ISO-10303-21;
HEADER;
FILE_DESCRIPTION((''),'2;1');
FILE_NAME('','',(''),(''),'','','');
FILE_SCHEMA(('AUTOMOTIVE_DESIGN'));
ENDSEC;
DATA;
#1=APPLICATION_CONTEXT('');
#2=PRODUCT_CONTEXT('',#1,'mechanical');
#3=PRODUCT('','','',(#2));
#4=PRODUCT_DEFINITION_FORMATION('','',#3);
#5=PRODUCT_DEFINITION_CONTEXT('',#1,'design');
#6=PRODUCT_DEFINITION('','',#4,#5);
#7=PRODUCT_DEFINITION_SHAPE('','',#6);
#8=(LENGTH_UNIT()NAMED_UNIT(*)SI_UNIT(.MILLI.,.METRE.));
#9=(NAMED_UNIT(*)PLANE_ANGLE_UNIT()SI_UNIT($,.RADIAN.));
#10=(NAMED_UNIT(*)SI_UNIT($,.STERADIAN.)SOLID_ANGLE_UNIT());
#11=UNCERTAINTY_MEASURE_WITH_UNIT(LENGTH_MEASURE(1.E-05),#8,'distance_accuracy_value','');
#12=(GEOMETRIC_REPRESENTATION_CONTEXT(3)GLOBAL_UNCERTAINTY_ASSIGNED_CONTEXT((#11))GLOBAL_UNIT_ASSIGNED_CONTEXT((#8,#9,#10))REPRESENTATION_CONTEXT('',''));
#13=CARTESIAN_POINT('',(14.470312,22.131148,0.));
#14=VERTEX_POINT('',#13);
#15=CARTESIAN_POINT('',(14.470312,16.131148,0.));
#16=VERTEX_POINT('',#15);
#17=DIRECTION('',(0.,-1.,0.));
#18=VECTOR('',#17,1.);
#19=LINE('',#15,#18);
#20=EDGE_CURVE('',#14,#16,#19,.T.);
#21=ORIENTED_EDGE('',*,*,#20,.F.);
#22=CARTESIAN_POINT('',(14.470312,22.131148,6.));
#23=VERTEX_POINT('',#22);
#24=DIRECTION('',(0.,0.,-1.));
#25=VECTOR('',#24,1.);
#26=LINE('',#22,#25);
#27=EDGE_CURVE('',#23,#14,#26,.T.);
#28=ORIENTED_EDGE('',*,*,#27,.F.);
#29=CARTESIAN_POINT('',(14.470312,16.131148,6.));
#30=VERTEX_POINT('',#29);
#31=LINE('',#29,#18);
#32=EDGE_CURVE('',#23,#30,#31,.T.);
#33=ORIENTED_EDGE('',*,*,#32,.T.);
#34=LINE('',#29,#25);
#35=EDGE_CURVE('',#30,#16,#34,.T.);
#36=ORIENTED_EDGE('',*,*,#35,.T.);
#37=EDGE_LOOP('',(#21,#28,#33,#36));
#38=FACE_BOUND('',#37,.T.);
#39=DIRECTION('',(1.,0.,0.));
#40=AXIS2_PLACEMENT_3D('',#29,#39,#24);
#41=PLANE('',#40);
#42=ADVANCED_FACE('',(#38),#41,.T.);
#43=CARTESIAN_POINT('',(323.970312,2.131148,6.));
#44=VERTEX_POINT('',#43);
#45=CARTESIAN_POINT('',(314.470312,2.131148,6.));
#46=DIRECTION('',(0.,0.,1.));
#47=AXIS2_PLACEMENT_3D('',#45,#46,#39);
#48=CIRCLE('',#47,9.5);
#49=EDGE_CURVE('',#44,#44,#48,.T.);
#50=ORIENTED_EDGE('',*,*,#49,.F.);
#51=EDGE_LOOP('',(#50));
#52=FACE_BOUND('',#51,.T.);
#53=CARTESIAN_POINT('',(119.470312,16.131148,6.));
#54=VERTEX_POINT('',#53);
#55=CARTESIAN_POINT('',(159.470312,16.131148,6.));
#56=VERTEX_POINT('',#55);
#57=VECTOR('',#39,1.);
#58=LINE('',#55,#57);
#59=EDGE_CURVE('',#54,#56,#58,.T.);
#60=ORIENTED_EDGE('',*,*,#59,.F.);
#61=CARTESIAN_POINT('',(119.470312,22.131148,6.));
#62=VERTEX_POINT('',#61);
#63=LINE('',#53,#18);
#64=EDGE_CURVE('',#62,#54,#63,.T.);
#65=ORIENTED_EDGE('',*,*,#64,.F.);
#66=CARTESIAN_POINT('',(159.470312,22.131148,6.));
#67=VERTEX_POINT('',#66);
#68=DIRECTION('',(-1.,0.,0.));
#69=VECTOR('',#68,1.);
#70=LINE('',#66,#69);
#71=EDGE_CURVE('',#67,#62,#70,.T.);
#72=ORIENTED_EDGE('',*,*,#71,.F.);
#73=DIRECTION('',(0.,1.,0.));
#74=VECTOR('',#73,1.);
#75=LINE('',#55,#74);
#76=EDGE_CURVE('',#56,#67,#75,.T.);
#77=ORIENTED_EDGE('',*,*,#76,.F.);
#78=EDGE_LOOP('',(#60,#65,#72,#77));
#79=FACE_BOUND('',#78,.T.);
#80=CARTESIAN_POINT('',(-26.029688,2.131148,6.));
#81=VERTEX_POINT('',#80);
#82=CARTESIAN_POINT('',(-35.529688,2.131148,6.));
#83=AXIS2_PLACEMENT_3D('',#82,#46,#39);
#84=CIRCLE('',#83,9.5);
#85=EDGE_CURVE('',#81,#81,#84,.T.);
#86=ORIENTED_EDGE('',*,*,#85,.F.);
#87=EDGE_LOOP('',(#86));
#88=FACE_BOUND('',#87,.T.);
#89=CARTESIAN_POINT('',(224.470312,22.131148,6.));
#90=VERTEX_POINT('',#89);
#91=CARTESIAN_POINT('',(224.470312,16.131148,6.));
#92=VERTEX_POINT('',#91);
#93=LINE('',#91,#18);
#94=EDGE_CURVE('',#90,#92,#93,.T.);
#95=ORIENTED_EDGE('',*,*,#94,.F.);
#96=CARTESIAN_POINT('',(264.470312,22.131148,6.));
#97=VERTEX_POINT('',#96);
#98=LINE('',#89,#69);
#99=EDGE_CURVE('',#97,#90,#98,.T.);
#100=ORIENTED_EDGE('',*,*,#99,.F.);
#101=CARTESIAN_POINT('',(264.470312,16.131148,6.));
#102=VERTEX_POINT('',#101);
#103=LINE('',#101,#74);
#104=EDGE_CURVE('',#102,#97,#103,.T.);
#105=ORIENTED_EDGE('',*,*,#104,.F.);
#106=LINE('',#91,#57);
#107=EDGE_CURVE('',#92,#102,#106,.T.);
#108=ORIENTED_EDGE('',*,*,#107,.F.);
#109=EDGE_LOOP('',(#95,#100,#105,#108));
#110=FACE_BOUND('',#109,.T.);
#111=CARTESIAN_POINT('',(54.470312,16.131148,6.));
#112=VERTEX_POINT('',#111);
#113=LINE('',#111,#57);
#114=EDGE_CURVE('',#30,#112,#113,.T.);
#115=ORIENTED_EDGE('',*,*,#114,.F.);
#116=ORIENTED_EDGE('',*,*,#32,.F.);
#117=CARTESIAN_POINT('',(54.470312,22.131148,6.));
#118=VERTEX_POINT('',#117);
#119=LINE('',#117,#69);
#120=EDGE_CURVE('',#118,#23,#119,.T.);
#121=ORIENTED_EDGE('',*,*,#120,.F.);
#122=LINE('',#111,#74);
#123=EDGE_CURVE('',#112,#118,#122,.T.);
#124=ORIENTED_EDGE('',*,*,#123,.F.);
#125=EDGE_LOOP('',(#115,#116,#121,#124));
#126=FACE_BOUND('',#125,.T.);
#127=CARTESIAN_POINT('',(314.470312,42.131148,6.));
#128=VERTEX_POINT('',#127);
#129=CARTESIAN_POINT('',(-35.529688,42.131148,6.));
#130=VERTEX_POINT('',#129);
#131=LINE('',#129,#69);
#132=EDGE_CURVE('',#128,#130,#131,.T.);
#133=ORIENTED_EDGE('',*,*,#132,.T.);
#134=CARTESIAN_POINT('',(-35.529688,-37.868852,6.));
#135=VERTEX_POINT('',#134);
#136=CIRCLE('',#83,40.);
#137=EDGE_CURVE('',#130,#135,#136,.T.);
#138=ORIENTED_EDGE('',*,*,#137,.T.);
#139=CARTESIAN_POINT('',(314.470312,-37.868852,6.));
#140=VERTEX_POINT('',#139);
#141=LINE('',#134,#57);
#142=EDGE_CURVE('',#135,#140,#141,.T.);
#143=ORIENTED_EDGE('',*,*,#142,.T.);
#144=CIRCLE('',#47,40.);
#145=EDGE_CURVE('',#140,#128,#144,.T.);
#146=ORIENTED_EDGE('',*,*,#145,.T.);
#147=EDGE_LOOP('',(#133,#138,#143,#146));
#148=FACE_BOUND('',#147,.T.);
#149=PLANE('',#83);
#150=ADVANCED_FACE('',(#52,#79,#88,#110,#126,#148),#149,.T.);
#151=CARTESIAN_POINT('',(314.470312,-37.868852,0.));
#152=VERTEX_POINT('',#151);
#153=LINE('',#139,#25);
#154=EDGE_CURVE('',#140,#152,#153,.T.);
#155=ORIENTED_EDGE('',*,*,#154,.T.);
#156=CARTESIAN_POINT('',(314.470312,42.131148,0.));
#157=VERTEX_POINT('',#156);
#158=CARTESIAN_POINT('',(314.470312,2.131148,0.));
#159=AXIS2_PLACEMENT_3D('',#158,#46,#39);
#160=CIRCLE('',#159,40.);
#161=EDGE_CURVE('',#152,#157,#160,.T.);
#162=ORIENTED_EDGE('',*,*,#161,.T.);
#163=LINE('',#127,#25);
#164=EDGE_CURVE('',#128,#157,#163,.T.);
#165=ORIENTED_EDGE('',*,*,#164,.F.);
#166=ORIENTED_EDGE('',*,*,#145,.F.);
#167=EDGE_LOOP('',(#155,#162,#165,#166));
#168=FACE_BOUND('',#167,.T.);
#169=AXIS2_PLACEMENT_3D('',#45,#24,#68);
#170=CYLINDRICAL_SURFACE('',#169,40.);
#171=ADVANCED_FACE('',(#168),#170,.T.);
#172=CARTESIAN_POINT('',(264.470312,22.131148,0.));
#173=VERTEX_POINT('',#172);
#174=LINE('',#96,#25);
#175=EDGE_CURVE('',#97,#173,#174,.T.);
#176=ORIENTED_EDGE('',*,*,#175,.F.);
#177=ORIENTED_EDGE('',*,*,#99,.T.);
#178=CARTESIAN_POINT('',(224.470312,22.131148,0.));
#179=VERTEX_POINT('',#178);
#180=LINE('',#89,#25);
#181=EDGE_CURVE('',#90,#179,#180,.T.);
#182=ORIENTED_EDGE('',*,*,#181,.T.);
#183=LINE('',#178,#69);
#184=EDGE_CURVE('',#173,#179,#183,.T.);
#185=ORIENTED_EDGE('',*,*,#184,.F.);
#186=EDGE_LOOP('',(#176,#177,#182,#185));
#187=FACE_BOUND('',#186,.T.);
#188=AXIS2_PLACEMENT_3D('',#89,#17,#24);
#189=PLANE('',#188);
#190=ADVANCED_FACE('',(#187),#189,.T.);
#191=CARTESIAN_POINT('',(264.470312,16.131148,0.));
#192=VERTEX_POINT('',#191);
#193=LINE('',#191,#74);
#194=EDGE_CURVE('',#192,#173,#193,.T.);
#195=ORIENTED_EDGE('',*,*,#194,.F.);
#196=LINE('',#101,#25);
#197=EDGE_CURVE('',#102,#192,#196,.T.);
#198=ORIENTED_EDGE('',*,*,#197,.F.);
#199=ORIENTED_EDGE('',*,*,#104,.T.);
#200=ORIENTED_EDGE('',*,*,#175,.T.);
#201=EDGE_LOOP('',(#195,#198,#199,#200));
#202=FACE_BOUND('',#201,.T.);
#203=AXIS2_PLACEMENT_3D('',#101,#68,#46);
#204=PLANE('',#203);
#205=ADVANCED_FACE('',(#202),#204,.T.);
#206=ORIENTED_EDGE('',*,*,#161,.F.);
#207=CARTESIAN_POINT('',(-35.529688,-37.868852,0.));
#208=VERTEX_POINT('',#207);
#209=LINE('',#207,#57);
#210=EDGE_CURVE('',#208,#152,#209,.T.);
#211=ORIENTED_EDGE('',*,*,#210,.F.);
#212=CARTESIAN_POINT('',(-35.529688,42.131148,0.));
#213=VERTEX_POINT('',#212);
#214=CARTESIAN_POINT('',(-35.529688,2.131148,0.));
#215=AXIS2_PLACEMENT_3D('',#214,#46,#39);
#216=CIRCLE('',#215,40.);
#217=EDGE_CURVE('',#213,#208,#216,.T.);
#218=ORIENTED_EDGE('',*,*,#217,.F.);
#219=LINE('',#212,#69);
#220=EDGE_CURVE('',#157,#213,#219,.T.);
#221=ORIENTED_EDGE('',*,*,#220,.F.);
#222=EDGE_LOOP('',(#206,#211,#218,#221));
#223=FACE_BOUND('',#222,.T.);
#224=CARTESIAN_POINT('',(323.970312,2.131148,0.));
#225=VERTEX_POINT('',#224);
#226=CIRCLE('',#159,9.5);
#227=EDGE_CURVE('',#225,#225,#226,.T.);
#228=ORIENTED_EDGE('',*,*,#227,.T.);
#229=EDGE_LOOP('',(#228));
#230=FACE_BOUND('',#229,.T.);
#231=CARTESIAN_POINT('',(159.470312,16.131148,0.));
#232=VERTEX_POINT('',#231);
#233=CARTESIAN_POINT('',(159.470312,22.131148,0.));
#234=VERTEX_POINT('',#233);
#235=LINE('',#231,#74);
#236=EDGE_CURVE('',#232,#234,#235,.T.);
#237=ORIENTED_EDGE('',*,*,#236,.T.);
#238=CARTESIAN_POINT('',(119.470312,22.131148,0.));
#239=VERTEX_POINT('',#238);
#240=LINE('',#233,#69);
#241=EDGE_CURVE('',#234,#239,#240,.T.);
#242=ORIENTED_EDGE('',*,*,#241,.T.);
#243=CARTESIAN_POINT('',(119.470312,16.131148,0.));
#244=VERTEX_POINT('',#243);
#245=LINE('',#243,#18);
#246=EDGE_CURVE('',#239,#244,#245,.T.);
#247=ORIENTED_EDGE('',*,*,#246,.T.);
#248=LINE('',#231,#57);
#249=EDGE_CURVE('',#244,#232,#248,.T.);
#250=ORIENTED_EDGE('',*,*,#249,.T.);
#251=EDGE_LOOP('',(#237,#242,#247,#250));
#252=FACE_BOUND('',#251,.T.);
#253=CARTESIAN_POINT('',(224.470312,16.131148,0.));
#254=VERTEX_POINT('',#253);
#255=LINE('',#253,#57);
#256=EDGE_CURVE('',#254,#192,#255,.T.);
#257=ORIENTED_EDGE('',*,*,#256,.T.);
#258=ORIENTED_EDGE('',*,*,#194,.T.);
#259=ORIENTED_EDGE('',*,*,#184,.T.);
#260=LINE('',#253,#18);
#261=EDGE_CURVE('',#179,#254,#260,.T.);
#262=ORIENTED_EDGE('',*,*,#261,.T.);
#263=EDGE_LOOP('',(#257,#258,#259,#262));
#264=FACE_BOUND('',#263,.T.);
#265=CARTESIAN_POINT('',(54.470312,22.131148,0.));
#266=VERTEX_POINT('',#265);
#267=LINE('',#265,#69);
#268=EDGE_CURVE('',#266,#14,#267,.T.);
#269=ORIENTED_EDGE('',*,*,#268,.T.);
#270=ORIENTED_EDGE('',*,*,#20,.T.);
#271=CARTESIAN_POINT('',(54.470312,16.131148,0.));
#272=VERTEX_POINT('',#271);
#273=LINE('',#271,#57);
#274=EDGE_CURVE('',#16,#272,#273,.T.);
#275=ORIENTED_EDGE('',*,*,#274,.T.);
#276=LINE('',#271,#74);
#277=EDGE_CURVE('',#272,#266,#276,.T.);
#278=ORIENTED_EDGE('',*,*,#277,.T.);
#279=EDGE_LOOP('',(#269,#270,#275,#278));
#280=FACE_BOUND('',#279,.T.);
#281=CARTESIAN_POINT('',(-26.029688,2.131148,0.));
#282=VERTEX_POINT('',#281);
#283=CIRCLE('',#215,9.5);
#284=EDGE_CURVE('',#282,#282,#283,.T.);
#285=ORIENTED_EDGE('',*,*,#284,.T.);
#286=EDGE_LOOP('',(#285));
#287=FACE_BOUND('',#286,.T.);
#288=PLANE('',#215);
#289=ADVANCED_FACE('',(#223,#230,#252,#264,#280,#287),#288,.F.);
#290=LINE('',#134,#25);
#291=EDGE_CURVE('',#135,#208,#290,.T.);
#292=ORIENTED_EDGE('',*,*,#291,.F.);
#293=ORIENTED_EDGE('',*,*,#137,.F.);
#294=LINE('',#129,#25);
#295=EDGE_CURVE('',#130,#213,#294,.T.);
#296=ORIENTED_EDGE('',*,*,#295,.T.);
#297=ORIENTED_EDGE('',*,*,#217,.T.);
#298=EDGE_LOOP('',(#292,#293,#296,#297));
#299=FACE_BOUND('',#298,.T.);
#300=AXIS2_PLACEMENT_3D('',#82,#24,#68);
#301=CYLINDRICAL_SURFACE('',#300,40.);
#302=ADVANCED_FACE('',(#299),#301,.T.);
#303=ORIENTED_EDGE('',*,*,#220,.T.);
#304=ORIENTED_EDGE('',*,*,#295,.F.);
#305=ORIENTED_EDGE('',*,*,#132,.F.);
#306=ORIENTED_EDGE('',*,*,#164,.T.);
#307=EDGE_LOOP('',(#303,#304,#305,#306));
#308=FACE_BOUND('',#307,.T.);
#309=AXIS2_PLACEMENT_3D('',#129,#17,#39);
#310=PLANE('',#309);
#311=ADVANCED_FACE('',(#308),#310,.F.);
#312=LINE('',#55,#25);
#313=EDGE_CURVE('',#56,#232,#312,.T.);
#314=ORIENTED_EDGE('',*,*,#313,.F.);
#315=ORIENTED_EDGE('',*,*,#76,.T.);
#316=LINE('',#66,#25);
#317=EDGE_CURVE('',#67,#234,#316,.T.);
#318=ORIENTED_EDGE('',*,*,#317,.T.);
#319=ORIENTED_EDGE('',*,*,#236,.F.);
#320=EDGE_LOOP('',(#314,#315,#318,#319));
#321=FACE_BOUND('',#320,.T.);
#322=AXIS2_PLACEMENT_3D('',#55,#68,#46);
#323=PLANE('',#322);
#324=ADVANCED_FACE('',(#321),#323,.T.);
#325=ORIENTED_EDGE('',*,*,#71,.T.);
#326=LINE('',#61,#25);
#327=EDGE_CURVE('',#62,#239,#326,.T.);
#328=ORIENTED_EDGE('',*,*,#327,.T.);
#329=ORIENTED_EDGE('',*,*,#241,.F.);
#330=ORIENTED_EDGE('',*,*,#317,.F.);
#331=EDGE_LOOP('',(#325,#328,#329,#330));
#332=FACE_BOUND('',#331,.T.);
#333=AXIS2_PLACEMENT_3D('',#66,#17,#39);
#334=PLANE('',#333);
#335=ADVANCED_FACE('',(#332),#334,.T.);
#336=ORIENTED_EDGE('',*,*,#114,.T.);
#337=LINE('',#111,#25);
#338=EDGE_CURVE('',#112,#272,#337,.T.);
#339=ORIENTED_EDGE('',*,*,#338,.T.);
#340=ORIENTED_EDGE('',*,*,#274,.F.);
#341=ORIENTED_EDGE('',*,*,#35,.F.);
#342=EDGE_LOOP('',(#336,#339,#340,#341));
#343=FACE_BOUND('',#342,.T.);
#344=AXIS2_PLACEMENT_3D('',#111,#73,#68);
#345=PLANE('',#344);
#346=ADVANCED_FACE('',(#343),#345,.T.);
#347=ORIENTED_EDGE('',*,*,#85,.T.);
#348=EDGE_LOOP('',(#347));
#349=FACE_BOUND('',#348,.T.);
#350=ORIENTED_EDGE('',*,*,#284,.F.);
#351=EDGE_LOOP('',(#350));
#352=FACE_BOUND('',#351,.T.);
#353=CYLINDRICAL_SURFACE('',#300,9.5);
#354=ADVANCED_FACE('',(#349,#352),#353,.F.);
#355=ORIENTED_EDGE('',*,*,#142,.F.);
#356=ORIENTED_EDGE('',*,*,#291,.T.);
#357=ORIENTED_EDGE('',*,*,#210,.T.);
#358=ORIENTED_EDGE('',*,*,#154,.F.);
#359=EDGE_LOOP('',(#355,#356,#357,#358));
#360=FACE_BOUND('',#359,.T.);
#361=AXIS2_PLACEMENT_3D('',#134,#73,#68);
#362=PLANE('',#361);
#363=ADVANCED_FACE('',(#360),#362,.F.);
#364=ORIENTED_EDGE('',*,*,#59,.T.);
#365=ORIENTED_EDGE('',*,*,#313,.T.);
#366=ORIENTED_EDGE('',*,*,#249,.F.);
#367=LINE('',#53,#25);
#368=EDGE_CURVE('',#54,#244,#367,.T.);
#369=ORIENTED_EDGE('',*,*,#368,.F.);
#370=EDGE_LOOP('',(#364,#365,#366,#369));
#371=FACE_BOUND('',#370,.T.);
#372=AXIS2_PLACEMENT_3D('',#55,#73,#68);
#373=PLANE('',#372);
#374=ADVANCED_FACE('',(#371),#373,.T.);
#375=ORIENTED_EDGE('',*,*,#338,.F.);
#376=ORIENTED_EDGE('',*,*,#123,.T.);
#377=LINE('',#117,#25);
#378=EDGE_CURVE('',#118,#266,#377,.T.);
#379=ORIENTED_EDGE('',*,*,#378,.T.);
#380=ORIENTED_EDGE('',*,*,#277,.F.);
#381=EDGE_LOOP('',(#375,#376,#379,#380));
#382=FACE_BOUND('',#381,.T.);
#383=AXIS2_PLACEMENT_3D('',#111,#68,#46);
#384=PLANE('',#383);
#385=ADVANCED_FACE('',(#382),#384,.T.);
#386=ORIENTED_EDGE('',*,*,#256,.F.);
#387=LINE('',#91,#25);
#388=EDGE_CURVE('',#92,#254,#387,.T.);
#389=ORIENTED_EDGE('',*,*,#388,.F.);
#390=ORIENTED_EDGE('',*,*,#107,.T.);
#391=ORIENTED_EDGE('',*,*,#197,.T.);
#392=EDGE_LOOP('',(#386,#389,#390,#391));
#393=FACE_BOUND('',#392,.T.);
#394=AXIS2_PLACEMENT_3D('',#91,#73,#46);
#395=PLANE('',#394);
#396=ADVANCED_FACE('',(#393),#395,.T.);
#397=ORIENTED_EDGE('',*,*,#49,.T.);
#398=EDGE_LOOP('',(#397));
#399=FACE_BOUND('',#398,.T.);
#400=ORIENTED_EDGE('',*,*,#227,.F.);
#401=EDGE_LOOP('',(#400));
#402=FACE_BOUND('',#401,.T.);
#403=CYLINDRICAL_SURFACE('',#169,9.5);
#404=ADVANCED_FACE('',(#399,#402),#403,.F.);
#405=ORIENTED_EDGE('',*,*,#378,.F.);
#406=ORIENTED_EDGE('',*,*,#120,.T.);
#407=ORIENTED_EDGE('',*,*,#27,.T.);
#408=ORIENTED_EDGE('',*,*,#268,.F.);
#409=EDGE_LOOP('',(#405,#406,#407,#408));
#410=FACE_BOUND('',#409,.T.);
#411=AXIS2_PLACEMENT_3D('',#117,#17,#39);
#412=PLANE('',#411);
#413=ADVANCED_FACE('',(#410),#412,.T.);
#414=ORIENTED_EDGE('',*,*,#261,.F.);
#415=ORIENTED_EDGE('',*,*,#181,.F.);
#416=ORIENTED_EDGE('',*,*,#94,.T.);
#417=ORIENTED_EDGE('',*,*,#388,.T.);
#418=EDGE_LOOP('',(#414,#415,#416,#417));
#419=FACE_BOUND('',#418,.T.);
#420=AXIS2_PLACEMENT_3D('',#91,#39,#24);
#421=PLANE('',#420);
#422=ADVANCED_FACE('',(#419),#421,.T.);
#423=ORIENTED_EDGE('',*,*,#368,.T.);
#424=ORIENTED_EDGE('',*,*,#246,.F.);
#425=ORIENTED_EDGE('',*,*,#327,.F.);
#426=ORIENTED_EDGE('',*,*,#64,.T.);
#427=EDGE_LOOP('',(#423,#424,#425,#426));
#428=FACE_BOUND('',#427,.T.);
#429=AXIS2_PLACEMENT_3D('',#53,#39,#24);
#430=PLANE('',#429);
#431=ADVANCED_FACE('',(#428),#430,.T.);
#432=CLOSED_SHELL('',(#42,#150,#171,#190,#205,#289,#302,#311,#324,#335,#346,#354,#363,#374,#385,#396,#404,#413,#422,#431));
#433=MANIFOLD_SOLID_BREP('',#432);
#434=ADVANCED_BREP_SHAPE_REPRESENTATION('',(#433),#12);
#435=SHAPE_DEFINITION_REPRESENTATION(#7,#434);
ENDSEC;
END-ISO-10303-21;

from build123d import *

# Parameters (mm, degrees)
SKETCH1_R           = 9.5
SKETCH1_W           = 40
SKETCH1_H           = 6
BOSS_EXTRUDE1_DEPTH = 6


with BuildPart() as part:
    # Sketch1 → Boss-Extrude1 (new body)
    with BuildSketch(Plane.XY):
        with BuildLine():
            Line((-35.529687849, 42.131147541), (314.470312151, 42.131147541))
            ThreePointArc((314.470312151, 42.131147541), (354.470312151, 2.131147541), (314.470312151, -37.868852459))
            Line((314.470312151, -37.868852459), (-35.529687849, -37.868852459))
            ThreePointArc((-35.529687849, -37.868852459), (-75.529687849, 2.131147541), (-35.529687849, 42.131147541))
        make_face()
        with Locations((-35.529687849, 2.131147541)):
            Circle(SKETCH1_R, mode=Mode.SUBTRACT)
        with Locations((314.470312151, 2.131147541)):
            Circle(SKETCH1_R, mode=Mode.SUBTRACT)
        with Locations((139.470312151, 19.131147541)):
            Rectangle(SKETCH1_W, SKETCH1_H, mode=Mode.SUBTRACT)
        with Locations((244.470312151, 19.131147541)):
            Rectangle(SKETCH1_W, SKETCH1_H, mode=Mode.SUBTRACT)
        with Locations((34.470312151, 19.131147541)):
            Rectangle(SKETCH1_W, SKETCH1_H, mode=Mode.SUBTRACT)
    extrude(amount=BOSS_EXTRUDE1_DEPTH)


solid = part.part
